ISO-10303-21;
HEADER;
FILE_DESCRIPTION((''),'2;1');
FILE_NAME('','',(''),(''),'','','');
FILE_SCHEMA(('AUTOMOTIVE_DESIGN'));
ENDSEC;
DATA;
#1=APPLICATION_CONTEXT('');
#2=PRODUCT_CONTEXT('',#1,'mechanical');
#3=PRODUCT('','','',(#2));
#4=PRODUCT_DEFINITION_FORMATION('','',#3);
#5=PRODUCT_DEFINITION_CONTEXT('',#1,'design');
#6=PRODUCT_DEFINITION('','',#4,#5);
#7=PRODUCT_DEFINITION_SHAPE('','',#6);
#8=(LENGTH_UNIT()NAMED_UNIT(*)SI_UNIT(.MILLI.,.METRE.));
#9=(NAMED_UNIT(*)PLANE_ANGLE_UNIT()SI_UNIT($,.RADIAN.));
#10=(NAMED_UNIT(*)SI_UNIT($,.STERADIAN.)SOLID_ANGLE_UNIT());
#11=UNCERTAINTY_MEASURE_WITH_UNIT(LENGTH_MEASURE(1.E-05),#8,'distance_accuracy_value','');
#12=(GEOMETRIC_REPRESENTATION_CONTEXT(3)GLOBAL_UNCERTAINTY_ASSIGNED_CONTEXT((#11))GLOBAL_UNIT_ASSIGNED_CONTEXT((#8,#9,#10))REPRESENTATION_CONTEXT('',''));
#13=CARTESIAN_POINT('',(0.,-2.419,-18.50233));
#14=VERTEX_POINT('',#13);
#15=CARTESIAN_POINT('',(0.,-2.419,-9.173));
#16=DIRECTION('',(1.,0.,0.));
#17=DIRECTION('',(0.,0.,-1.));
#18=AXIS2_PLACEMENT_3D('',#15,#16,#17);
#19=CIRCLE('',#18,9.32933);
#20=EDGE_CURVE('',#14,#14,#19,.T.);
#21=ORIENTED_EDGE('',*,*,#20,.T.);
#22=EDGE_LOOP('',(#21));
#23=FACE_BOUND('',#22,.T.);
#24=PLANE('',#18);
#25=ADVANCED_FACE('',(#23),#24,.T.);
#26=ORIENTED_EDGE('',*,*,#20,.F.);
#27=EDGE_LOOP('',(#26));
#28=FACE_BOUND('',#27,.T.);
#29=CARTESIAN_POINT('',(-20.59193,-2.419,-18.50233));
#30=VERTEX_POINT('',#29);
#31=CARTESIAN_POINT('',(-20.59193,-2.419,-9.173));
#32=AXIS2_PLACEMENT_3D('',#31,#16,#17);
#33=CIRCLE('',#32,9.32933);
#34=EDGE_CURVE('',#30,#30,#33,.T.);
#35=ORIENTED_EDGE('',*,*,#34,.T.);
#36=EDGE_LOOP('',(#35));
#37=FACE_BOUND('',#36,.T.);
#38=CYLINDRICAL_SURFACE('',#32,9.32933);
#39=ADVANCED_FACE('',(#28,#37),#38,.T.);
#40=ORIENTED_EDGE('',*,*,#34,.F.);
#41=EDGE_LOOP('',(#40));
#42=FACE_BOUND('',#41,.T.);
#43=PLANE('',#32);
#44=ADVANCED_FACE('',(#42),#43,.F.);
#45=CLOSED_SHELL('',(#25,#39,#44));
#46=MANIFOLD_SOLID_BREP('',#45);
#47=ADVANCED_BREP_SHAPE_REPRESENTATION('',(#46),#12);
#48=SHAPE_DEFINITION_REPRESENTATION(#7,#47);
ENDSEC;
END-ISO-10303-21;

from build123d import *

# Parameters (mm, degrees)
CURVESKETCH_R   = 9.32933
CURVEBOSS_DEPTH = 20.59193


with BuildPart() as part:
    # CurveSketch → CurveBoss (new body)
    with BuildSketch(Plane(origin=(0, 0, 0), x_dir=(0, 0, -1), z_dir=(1, 0, 0))):
        with Locations((9.173, -2.419)):
            Circle(CURVESKETCH_R)
    extrude(amount=-CURVEBOSS_DEPTH)


solid = part.part
